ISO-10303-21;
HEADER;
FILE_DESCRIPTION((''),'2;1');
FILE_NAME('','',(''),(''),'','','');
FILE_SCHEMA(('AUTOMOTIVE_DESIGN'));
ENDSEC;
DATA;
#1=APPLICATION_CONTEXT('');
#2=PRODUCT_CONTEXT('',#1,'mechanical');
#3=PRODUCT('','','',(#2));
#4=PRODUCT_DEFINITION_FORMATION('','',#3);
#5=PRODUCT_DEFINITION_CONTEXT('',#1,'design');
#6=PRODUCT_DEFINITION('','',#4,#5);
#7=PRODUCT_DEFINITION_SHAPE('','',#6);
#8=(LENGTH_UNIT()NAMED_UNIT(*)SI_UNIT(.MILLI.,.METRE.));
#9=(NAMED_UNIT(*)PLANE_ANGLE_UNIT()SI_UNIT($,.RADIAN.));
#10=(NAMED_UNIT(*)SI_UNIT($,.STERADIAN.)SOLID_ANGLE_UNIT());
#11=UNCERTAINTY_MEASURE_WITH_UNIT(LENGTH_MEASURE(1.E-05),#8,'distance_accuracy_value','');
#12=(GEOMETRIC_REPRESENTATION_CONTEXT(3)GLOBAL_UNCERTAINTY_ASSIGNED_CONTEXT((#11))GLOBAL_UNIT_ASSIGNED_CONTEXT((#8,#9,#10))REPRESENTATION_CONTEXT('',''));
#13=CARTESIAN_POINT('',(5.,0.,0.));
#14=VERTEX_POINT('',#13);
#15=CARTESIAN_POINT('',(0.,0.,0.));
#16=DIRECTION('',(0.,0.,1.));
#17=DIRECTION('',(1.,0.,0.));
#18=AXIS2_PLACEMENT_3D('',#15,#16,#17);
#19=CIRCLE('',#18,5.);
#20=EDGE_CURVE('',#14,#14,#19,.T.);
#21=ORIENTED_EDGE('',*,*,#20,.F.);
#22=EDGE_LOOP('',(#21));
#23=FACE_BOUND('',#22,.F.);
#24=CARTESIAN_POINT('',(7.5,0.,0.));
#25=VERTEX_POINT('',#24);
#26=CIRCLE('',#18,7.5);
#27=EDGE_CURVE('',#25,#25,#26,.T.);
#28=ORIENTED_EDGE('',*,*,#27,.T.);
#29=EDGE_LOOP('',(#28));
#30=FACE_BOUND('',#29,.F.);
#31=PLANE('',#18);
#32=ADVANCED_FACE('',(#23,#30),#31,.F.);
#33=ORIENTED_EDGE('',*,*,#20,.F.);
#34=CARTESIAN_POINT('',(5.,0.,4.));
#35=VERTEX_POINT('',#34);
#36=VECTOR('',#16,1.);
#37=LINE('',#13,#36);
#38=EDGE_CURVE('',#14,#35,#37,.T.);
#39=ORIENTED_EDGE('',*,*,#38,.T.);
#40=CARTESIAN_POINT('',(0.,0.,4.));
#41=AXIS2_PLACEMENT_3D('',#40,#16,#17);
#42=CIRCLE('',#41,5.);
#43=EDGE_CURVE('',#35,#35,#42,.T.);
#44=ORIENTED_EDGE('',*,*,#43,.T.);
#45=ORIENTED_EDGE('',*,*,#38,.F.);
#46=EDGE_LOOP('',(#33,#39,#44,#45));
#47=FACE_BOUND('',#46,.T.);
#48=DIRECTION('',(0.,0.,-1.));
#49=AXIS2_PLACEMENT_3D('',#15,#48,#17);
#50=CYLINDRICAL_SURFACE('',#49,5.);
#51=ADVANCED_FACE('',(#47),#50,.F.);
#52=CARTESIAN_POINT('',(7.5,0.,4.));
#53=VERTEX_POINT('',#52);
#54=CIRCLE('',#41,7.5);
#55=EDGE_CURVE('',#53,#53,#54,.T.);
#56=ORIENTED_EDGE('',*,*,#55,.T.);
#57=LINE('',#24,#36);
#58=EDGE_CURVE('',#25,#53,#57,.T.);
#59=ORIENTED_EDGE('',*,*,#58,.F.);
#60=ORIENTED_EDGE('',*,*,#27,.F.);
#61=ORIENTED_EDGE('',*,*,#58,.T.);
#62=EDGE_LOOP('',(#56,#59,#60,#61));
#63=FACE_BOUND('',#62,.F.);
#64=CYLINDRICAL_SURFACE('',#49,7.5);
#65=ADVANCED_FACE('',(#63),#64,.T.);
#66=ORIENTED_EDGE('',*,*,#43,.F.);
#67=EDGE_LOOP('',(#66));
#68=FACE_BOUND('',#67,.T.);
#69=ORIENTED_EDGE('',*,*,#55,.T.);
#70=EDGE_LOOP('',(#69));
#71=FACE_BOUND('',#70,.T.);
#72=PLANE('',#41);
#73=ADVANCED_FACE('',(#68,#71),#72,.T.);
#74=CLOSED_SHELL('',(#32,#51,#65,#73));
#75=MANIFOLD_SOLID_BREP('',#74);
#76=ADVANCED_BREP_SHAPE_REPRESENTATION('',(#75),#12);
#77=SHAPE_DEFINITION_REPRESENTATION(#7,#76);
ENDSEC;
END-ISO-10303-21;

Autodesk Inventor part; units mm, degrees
ref_plane "YZ Plane" through (0, 0, 0) normal (1, 0, 0) x (0, 1, 0)
ref_plane "XZ Plane" through (0, 0, 0) normal (0, 1, 0) x (-1, 0, 0)
ref_plane "XY Plane" through (0, 0, 0) normal (0, 0, 1) x (1, 0, 0)
sketch "スケッチ1" plane through (0, 0, 0) normal (0, 0, 1) x (1, 0, 0)
  circle A0 centre (0, 0) radius 5
  circle A1 centre (0, 0) radius 7.5
  dimension "d0" = 10
  dimension "d1" = 15
extrude "押し出し1" add sketch "スケッチ1" along normal blind 4
properties part number "ベアリング1015.4t" material "ステンレス鋼"
